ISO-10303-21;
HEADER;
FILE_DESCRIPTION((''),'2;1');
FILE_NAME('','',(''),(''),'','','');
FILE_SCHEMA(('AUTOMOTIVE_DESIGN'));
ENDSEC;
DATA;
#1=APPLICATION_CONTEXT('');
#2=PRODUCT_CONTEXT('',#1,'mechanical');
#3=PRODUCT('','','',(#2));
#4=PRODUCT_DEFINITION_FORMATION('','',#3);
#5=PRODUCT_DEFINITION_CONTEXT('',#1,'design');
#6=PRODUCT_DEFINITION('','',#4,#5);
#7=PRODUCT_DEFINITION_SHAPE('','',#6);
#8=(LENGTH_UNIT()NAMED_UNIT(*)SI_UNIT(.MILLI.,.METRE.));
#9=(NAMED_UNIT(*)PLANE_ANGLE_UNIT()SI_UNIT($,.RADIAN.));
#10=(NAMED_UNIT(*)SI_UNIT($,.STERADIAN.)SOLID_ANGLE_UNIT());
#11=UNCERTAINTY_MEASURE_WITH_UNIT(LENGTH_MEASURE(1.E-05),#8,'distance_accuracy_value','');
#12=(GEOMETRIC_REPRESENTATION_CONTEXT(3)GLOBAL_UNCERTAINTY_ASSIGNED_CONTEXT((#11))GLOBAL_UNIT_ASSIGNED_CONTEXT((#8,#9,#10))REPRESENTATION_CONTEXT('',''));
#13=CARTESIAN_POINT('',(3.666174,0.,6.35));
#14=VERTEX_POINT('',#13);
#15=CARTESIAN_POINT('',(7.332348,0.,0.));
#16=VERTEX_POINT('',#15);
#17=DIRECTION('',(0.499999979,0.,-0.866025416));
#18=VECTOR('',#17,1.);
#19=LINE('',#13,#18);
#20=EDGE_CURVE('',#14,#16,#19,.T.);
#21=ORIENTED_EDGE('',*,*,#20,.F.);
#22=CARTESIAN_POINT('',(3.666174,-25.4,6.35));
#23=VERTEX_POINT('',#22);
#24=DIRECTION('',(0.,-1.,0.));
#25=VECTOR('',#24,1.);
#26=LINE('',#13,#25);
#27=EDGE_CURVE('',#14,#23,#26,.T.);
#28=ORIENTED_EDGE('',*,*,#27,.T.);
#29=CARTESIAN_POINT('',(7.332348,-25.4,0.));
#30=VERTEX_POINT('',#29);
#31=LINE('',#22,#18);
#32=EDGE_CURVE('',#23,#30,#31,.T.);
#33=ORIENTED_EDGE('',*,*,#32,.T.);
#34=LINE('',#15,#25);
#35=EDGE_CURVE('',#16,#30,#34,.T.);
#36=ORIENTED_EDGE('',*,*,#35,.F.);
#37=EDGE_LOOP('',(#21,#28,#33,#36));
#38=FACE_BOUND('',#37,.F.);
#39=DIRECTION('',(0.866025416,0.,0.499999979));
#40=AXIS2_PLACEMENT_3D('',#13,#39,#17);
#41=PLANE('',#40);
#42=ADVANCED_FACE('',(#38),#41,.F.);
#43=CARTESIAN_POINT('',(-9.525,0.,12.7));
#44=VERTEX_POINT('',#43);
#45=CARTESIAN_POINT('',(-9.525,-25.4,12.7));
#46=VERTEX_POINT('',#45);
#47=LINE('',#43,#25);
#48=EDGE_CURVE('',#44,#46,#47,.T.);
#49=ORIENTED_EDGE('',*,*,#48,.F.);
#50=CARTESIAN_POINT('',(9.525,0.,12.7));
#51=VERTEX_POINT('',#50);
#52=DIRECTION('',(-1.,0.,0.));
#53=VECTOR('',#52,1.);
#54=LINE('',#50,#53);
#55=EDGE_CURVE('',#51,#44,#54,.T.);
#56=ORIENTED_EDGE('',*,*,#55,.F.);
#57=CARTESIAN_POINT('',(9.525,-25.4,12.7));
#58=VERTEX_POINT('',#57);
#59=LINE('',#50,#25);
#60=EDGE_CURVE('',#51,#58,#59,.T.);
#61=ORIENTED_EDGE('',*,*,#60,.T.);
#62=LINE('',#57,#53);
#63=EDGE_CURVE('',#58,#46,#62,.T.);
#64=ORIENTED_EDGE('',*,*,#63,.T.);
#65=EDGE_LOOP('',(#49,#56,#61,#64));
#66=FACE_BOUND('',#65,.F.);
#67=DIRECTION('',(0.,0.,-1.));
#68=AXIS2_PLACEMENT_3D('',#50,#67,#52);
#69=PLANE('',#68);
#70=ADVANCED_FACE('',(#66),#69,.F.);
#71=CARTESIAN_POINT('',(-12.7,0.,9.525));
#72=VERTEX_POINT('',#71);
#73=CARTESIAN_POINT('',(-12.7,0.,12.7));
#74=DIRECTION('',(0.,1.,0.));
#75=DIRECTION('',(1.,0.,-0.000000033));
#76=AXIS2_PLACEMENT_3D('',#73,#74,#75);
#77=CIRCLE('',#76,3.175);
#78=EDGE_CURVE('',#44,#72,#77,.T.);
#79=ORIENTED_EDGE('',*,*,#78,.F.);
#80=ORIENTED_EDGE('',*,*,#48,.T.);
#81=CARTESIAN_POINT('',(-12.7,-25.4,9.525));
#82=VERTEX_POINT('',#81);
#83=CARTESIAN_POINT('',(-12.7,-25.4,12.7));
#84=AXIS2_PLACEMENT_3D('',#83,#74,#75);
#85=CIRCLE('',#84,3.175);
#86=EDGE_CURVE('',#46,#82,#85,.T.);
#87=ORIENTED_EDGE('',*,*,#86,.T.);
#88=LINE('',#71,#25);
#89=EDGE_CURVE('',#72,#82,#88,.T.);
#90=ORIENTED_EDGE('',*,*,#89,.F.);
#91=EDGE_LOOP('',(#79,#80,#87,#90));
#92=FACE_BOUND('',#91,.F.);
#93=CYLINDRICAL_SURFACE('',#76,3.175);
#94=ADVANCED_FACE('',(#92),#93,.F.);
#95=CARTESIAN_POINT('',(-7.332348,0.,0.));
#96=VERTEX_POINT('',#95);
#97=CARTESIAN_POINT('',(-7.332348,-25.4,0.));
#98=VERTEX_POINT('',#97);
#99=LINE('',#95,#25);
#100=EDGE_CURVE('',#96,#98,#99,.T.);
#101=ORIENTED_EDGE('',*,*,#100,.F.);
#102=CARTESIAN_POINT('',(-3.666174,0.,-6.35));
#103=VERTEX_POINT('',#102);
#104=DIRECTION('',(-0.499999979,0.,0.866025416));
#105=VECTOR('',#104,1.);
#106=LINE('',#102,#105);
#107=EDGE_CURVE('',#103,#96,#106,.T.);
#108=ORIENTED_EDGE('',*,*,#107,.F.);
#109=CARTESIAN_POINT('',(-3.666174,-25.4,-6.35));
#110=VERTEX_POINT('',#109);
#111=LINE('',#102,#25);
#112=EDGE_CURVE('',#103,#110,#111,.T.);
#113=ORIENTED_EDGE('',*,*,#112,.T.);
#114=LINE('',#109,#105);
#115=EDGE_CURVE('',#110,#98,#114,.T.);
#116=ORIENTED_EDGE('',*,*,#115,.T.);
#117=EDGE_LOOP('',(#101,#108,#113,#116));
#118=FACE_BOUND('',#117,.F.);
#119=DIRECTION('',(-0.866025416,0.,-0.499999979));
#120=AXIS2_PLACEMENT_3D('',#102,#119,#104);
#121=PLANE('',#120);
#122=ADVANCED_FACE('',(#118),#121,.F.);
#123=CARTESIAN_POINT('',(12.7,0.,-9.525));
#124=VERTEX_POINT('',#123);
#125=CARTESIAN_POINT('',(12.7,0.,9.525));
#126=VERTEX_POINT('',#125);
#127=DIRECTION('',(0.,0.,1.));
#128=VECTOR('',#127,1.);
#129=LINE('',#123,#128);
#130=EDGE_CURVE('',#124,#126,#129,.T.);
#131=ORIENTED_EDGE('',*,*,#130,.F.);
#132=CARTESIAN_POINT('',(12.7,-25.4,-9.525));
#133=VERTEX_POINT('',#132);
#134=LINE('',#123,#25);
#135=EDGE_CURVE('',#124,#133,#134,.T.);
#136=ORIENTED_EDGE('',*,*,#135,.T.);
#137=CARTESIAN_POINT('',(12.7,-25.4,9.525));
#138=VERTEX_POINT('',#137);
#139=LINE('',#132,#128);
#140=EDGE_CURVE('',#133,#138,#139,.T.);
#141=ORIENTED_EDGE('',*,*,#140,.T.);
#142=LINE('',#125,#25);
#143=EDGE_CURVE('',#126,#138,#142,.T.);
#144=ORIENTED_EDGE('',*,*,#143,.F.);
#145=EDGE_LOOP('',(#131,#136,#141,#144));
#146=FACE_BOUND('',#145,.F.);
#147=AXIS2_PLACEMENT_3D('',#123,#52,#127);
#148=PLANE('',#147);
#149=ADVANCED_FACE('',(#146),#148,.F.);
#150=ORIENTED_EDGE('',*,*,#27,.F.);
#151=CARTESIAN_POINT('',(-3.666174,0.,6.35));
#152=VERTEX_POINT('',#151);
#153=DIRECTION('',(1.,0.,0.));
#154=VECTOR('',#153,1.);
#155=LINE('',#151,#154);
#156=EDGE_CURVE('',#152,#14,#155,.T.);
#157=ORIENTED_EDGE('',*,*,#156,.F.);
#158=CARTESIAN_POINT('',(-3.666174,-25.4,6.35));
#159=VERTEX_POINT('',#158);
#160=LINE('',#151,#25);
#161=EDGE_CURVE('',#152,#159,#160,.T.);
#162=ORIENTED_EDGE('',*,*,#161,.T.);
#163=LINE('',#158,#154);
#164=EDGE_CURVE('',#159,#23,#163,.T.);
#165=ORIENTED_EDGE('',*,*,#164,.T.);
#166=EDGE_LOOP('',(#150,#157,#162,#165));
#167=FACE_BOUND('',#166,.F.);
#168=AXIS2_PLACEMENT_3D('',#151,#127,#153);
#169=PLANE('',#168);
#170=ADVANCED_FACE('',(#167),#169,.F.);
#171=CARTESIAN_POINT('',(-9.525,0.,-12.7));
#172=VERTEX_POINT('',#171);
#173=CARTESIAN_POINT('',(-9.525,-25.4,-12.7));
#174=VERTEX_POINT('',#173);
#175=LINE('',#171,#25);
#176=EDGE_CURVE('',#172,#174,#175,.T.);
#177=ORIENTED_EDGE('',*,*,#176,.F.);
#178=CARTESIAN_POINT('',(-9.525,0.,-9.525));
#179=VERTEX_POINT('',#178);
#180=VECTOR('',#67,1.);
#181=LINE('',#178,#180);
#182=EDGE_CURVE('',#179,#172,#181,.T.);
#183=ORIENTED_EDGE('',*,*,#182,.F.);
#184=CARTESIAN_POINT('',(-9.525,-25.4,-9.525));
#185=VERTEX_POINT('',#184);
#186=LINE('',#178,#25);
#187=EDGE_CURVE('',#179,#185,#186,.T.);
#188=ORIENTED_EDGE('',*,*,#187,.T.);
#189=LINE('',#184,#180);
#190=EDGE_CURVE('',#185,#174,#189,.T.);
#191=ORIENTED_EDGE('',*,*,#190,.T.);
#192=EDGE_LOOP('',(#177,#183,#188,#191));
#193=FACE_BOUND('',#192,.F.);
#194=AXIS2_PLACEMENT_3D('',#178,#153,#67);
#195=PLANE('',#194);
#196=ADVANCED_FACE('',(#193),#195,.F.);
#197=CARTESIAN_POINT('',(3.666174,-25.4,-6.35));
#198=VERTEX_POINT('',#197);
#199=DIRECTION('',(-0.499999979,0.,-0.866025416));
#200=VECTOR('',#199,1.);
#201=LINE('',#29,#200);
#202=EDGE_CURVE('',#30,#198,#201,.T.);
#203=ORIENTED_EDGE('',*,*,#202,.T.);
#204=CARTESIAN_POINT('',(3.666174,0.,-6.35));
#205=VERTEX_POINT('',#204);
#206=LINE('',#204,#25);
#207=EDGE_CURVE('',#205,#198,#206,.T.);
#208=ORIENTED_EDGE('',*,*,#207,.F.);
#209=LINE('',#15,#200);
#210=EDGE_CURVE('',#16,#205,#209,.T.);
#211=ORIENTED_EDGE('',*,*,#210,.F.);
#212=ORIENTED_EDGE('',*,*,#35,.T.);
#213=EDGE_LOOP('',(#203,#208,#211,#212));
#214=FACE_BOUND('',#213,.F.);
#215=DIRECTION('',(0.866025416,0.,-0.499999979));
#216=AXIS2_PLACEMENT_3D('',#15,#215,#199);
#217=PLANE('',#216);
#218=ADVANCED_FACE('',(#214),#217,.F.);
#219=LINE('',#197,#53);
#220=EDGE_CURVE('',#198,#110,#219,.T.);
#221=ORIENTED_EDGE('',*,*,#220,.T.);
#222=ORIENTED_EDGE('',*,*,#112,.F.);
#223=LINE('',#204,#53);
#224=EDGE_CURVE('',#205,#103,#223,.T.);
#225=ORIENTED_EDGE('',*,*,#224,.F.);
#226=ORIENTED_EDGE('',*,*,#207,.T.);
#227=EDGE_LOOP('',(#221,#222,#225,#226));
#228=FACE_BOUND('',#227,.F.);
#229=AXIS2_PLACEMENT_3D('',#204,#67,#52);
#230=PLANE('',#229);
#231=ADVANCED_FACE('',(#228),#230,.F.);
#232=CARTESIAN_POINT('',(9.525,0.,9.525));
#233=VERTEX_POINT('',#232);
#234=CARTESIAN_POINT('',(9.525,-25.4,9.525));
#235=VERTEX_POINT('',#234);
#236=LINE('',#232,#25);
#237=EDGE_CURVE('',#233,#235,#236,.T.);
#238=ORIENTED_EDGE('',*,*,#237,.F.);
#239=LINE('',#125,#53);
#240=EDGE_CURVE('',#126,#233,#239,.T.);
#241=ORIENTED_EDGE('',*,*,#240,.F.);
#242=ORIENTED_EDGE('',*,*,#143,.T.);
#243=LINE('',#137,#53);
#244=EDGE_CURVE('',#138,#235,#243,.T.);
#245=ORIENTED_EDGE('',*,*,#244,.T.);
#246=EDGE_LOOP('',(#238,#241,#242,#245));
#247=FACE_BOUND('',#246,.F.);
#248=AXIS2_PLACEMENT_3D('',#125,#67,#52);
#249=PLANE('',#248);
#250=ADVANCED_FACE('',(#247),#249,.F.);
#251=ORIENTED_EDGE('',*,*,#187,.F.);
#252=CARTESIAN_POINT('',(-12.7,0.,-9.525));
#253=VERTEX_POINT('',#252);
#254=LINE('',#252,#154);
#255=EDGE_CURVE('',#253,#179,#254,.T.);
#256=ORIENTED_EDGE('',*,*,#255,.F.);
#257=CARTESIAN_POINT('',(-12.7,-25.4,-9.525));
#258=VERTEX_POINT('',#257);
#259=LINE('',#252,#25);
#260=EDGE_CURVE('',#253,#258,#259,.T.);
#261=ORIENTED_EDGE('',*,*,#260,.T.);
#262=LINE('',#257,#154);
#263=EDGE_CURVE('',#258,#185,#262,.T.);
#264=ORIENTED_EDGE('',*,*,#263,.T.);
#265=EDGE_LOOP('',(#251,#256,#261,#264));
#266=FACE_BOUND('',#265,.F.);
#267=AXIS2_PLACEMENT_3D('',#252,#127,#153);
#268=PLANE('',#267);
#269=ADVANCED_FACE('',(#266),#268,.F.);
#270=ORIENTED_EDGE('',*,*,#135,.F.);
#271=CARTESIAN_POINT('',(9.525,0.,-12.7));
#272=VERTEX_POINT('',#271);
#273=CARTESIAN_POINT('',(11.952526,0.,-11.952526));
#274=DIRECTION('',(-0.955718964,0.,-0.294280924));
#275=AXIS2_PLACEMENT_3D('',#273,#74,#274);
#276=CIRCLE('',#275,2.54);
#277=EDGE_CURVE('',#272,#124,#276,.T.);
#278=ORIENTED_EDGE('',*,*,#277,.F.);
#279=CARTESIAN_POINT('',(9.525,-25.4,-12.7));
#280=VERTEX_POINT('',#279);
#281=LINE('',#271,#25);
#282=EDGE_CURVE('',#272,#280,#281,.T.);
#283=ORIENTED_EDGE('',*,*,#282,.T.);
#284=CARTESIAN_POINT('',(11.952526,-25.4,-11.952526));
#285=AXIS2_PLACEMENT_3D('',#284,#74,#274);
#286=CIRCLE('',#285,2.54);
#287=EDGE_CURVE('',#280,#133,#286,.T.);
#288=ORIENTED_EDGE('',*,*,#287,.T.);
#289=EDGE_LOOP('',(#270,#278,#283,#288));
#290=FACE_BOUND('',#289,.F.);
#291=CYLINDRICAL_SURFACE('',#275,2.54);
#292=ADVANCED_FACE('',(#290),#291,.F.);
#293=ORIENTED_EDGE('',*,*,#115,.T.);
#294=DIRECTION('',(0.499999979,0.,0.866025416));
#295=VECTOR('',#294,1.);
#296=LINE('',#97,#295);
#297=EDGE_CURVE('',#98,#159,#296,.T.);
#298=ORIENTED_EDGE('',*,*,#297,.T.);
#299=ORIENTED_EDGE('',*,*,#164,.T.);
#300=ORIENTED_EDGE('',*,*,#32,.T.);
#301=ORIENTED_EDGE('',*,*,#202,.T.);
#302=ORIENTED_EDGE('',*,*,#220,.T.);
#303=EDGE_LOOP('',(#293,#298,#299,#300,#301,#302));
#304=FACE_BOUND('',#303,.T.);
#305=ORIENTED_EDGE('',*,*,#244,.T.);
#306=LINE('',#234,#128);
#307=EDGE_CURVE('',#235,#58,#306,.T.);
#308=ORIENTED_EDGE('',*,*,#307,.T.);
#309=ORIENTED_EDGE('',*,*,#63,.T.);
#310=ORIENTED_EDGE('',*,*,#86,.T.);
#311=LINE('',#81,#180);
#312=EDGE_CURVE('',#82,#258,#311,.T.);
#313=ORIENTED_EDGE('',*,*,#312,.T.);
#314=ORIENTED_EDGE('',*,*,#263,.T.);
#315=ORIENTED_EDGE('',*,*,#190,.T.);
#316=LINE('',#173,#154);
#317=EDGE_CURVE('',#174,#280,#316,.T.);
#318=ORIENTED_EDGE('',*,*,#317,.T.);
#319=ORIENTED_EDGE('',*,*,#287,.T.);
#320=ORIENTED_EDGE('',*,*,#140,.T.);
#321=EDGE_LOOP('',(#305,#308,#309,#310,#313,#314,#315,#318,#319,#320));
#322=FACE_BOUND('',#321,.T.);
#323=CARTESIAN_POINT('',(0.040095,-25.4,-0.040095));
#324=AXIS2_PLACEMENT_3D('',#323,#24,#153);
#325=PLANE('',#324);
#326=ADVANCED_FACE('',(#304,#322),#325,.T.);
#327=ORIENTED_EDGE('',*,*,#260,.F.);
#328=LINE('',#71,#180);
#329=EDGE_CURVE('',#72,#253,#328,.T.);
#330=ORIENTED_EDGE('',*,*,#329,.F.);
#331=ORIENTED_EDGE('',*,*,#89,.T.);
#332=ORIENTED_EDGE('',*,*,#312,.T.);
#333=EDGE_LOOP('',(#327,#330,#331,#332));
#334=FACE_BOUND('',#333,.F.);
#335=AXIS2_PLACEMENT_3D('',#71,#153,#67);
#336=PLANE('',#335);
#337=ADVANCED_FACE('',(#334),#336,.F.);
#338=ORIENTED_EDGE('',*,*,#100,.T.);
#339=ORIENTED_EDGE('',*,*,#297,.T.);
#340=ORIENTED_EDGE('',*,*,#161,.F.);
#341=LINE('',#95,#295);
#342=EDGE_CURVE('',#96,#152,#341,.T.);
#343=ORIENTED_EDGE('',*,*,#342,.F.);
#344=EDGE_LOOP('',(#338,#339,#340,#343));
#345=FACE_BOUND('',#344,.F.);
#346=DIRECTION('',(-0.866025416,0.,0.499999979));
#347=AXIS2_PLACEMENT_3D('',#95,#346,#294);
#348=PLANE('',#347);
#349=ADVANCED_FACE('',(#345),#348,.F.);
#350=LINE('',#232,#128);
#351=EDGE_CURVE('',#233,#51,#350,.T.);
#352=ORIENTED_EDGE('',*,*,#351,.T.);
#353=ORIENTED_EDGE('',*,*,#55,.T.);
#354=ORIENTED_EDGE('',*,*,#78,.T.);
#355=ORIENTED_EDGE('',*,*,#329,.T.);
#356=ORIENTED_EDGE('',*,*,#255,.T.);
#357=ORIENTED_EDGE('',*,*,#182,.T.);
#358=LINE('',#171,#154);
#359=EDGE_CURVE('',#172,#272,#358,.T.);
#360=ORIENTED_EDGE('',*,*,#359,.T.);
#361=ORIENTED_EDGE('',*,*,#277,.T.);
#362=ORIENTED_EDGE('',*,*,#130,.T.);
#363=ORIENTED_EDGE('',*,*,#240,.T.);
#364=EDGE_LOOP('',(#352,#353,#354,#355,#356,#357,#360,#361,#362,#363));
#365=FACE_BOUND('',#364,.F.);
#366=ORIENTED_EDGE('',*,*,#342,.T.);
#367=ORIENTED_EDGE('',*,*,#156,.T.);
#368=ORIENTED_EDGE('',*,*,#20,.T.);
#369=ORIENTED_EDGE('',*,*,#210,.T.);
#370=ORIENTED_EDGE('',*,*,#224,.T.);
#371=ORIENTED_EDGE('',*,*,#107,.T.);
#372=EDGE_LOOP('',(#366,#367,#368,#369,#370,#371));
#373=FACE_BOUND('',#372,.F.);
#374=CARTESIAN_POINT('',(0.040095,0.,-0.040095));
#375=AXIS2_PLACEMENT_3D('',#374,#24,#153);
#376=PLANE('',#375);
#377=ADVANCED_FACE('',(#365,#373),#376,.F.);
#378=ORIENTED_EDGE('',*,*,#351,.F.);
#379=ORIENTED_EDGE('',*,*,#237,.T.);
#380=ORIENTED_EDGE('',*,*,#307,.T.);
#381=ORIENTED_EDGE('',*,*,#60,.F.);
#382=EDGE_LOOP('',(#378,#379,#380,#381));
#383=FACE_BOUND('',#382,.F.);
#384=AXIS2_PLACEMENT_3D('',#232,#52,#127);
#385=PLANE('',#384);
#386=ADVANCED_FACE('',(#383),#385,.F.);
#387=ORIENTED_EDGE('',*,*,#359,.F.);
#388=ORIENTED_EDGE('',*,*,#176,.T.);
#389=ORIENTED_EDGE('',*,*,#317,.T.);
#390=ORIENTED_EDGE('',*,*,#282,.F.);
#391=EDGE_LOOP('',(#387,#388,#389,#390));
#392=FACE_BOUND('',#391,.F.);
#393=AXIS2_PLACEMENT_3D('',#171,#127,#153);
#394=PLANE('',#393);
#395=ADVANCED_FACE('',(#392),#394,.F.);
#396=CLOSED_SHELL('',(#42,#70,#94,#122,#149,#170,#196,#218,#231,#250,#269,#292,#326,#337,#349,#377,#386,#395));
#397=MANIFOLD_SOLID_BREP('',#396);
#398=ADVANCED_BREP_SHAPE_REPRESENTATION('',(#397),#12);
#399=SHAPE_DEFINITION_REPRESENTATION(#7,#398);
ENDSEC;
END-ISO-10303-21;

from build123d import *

# Parameters (mm, degrees)
F1_DEPTH = 25.4


with BuildPart() as f1:
    # F0 (on Front) → F1 (new body)
    with BuildSketch(Plane.XZ):
        with BuildLine():
            Line((9.525, 9.525), (9.525, 12.7))
            Line((9.525, 12.7), (-9.525, 12.7))
            ThreePointArc((-9.525, 12.7), (-10.454936, 10.454936), (-12.7, 9.525))
            Line((-12.7, 9.525), (-12.7, -9.525))
            Line((-12.7, -9.525), (-9.525, -9.525))
            Line((-9.525, -9.525), (-9.525, -12.7))
            Line((-9.525, -12.7), (9.525, -12.7))
            ThreePointArc((9.525, -12.7), (10.156475, -10.156475), (12.7, -9.525))
            Line((12.7, -9.525), (12.7, 9.525))
            Line((12.7, 9.525), (9.525, 9.525))
        make_face()
        Polygon((-3.666174, 6.35), (3.666174, 6.35), (7.332348, 0), (3.666174, -6.35), (-3.666174, -6.35), (-7.332348, 0), align=None, mode=Mode.SUBTRACT)
    extrude(amount=F1_DEPTH)


solid = f1.part
